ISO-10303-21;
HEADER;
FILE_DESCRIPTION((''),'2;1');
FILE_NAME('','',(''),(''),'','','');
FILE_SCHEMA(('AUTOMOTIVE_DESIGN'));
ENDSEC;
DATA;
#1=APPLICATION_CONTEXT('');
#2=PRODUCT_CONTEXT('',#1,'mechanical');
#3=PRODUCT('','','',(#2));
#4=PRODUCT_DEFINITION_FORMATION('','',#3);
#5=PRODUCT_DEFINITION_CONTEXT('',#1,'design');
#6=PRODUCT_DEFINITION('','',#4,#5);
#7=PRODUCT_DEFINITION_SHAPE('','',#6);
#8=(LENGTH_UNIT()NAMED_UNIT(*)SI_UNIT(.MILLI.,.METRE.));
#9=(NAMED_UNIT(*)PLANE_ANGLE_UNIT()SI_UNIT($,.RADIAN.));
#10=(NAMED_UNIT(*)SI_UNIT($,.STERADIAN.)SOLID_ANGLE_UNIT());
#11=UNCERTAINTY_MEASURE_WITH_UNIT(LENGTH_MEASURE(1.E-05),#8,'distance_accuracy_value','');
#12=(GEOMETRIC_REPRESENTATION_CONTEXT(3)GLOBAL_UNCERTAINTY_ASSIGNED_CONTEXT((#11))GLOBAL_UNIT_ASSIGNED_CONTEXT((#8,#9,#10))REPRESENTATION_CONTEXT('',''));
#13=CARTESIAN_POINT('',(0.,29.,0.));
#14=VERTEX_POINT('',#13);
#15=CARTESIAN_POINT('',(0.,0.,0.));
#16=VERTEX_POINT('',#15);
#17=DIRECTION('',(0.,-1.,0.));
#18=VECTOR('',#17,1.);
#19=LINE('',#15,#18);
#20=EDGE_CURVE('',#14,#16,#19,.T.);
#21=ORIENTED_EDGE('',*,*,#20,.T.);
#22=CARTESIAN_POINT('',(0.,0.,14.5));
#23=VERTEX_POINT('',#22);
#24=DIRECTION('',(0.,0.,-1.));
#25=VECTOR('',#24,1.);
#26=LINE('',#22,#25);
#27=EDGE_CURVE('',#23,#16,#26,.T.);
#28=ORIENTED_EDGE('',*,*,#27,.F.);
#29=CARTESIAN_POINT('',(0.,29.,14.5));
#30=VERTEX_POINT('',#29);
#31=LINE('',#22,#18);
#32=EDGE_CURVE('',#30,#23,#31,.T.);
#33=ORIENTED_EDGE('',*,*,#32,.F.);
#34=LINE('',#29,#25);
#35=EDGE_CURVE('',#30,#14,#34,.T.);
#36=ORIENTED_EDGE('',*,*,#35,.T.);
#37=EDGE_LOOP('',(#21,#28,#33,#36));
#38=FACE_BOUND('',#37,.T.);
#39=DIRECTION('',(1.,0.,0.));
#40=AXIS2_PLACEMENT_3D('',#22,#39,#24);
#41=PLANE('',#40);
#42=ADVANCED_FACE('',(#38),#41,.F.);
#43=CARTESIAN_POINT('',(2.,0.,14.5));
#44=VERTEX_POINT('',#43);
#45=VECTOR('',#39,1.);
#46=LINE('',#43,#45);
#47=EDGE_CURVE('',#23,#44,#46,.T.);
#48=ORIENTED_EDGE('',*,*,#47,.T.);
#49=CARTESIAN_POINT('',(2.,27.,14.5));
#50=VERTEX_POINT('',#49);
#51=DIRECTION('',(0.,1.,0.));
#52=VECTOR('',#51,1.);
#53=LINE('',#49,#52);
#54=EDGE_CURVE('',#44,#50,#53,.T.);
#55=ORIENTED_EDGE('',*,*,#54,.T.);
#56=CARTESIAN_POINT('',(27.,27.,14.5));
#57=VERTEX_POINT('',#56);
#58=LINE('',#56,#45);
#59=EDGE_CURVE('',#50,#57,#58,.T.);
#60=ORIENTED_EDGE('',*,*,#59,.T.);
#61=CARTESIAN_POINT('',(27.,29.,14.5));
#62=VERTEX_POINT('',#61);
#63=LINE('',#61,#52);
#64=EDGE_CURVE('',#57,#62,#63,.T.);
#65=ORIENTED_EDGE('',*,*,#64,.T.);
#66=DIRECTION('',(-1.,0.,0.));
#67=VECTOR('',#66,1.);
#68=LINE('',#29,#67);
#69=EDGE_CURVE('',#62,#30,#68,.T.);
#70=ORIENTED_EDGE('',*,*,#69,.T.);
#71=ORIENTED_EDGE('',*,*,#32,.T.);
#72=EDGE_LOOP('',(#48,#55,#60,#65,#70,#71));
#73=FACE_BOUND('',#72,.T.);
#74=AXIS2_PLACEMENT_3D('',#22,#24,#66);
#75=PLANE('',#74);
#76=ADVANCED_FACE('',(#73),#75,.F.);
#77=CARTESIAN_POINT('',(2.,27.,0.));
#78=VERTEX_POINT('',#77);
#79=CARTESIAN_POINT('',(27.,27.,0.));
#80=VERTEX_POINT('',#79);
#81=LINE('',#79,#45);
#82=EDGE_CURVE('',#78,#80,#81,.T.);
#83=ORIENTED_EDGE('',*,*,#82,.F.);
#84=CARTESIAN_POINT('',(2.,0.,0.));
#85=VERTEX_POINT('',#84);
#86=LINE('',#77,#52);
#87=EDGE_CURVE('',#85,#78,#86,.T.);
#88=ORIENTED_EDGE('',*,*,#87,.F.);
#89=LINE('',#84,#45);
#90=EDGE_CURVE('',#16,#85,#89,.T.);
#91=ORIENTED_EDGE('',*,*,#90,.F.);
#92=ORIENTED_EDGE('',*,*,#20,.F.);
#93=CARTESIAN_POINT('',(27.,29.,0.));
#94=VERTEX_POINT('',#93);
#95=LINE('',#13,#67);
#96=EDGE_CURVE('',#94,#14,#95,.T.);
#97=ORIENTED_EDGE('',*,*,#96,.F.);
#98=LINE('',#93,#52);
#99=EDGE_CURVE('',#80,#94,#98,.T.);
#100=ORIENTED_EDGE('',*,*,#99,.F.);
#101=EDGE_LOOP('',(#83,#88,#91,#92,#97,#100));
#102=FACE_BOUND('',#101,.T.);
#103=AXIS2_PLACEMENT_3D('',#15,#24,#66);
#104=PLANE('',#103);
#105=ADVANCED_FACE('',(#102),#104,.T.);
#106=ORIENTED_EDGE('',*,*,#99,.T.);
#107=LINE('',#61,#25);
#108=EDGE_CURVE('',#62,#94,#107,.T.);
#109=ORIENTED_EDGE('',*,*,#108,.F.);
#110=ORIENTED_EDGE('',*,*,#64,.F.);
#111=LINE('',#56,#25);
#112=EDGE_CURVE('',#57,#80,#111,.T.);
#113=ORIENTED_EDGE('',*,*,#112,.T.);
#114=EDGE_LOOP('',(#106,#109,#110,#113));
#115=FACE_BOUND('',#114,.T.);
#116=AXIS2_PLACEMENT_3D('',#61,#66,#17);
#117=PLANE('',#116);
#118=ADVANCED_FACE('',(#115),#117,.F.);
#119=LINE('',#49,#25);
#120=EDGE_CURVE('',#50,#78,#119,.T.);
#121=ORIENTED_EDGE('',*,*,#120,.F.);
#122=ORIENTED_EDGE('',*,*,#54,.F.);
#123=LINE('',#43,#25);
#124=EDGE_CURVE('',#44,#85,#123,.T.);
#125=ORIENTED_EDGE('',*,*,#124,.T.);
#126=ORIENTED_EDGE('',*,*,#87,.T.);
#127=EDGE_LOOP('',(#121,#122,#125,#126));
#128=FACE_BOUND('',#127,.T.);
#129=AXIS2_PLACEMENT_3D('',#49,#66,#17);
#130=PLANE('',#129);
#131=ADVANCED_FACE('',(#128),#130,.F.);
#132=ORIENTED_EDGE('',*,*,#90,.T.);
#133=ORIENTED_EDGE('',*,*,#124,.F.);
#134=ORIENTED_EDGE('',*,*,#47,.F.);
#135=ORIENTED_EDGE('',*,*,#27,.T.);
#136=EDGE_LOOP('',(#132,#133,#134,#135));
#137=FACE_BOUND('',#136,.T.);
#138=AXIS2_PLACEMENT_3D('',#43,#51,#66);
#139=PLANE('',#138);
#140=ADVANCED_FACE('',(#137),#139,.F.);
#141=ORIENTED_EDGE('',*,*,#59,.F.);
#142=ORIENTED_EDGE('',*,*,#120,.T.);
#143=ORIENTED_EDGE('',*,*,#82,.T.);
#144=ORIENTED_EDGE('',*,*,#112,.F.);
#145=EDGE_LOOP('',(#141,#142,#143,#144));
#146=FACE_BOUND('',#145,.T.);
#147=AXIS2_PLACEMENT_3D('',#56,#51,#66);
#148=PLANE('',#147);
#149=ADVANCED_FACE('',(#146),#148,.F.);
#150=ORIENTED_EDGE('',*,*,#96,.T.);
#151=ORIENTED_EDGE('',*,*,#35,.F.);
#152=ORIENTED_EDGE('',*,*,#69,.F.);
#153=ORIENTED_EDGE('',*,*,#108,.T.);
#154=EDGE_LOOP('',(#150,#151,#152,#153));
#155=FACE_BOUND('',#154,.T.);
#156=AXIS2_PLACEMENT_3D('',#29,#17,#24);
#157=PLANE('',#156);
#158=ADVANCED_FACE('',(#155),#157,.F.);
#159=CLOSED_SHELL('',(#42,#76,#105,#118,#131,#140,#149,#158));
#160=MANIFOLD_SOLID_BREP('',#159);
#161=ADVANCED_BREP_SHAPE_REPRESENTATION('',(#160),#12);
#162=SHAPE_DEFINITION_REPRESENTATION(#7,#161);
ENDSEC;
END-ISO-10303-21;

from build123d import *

# Parameters (mm, degrees)
EXTRUDE_1_DEPTH = 14.5


with BuildPart() as part:
    # Эскиз1 → Бобышка-Вытянуть1 (new body)
    with BuildSketch(Plane.XY):
        Polygon((0, 0), (0, 29), (27, 29), (27, 27), (2, 27), (2, 0), align=None)
    extrude(amount=EXTRUDE_1_DEPTH)


solid = part.part
